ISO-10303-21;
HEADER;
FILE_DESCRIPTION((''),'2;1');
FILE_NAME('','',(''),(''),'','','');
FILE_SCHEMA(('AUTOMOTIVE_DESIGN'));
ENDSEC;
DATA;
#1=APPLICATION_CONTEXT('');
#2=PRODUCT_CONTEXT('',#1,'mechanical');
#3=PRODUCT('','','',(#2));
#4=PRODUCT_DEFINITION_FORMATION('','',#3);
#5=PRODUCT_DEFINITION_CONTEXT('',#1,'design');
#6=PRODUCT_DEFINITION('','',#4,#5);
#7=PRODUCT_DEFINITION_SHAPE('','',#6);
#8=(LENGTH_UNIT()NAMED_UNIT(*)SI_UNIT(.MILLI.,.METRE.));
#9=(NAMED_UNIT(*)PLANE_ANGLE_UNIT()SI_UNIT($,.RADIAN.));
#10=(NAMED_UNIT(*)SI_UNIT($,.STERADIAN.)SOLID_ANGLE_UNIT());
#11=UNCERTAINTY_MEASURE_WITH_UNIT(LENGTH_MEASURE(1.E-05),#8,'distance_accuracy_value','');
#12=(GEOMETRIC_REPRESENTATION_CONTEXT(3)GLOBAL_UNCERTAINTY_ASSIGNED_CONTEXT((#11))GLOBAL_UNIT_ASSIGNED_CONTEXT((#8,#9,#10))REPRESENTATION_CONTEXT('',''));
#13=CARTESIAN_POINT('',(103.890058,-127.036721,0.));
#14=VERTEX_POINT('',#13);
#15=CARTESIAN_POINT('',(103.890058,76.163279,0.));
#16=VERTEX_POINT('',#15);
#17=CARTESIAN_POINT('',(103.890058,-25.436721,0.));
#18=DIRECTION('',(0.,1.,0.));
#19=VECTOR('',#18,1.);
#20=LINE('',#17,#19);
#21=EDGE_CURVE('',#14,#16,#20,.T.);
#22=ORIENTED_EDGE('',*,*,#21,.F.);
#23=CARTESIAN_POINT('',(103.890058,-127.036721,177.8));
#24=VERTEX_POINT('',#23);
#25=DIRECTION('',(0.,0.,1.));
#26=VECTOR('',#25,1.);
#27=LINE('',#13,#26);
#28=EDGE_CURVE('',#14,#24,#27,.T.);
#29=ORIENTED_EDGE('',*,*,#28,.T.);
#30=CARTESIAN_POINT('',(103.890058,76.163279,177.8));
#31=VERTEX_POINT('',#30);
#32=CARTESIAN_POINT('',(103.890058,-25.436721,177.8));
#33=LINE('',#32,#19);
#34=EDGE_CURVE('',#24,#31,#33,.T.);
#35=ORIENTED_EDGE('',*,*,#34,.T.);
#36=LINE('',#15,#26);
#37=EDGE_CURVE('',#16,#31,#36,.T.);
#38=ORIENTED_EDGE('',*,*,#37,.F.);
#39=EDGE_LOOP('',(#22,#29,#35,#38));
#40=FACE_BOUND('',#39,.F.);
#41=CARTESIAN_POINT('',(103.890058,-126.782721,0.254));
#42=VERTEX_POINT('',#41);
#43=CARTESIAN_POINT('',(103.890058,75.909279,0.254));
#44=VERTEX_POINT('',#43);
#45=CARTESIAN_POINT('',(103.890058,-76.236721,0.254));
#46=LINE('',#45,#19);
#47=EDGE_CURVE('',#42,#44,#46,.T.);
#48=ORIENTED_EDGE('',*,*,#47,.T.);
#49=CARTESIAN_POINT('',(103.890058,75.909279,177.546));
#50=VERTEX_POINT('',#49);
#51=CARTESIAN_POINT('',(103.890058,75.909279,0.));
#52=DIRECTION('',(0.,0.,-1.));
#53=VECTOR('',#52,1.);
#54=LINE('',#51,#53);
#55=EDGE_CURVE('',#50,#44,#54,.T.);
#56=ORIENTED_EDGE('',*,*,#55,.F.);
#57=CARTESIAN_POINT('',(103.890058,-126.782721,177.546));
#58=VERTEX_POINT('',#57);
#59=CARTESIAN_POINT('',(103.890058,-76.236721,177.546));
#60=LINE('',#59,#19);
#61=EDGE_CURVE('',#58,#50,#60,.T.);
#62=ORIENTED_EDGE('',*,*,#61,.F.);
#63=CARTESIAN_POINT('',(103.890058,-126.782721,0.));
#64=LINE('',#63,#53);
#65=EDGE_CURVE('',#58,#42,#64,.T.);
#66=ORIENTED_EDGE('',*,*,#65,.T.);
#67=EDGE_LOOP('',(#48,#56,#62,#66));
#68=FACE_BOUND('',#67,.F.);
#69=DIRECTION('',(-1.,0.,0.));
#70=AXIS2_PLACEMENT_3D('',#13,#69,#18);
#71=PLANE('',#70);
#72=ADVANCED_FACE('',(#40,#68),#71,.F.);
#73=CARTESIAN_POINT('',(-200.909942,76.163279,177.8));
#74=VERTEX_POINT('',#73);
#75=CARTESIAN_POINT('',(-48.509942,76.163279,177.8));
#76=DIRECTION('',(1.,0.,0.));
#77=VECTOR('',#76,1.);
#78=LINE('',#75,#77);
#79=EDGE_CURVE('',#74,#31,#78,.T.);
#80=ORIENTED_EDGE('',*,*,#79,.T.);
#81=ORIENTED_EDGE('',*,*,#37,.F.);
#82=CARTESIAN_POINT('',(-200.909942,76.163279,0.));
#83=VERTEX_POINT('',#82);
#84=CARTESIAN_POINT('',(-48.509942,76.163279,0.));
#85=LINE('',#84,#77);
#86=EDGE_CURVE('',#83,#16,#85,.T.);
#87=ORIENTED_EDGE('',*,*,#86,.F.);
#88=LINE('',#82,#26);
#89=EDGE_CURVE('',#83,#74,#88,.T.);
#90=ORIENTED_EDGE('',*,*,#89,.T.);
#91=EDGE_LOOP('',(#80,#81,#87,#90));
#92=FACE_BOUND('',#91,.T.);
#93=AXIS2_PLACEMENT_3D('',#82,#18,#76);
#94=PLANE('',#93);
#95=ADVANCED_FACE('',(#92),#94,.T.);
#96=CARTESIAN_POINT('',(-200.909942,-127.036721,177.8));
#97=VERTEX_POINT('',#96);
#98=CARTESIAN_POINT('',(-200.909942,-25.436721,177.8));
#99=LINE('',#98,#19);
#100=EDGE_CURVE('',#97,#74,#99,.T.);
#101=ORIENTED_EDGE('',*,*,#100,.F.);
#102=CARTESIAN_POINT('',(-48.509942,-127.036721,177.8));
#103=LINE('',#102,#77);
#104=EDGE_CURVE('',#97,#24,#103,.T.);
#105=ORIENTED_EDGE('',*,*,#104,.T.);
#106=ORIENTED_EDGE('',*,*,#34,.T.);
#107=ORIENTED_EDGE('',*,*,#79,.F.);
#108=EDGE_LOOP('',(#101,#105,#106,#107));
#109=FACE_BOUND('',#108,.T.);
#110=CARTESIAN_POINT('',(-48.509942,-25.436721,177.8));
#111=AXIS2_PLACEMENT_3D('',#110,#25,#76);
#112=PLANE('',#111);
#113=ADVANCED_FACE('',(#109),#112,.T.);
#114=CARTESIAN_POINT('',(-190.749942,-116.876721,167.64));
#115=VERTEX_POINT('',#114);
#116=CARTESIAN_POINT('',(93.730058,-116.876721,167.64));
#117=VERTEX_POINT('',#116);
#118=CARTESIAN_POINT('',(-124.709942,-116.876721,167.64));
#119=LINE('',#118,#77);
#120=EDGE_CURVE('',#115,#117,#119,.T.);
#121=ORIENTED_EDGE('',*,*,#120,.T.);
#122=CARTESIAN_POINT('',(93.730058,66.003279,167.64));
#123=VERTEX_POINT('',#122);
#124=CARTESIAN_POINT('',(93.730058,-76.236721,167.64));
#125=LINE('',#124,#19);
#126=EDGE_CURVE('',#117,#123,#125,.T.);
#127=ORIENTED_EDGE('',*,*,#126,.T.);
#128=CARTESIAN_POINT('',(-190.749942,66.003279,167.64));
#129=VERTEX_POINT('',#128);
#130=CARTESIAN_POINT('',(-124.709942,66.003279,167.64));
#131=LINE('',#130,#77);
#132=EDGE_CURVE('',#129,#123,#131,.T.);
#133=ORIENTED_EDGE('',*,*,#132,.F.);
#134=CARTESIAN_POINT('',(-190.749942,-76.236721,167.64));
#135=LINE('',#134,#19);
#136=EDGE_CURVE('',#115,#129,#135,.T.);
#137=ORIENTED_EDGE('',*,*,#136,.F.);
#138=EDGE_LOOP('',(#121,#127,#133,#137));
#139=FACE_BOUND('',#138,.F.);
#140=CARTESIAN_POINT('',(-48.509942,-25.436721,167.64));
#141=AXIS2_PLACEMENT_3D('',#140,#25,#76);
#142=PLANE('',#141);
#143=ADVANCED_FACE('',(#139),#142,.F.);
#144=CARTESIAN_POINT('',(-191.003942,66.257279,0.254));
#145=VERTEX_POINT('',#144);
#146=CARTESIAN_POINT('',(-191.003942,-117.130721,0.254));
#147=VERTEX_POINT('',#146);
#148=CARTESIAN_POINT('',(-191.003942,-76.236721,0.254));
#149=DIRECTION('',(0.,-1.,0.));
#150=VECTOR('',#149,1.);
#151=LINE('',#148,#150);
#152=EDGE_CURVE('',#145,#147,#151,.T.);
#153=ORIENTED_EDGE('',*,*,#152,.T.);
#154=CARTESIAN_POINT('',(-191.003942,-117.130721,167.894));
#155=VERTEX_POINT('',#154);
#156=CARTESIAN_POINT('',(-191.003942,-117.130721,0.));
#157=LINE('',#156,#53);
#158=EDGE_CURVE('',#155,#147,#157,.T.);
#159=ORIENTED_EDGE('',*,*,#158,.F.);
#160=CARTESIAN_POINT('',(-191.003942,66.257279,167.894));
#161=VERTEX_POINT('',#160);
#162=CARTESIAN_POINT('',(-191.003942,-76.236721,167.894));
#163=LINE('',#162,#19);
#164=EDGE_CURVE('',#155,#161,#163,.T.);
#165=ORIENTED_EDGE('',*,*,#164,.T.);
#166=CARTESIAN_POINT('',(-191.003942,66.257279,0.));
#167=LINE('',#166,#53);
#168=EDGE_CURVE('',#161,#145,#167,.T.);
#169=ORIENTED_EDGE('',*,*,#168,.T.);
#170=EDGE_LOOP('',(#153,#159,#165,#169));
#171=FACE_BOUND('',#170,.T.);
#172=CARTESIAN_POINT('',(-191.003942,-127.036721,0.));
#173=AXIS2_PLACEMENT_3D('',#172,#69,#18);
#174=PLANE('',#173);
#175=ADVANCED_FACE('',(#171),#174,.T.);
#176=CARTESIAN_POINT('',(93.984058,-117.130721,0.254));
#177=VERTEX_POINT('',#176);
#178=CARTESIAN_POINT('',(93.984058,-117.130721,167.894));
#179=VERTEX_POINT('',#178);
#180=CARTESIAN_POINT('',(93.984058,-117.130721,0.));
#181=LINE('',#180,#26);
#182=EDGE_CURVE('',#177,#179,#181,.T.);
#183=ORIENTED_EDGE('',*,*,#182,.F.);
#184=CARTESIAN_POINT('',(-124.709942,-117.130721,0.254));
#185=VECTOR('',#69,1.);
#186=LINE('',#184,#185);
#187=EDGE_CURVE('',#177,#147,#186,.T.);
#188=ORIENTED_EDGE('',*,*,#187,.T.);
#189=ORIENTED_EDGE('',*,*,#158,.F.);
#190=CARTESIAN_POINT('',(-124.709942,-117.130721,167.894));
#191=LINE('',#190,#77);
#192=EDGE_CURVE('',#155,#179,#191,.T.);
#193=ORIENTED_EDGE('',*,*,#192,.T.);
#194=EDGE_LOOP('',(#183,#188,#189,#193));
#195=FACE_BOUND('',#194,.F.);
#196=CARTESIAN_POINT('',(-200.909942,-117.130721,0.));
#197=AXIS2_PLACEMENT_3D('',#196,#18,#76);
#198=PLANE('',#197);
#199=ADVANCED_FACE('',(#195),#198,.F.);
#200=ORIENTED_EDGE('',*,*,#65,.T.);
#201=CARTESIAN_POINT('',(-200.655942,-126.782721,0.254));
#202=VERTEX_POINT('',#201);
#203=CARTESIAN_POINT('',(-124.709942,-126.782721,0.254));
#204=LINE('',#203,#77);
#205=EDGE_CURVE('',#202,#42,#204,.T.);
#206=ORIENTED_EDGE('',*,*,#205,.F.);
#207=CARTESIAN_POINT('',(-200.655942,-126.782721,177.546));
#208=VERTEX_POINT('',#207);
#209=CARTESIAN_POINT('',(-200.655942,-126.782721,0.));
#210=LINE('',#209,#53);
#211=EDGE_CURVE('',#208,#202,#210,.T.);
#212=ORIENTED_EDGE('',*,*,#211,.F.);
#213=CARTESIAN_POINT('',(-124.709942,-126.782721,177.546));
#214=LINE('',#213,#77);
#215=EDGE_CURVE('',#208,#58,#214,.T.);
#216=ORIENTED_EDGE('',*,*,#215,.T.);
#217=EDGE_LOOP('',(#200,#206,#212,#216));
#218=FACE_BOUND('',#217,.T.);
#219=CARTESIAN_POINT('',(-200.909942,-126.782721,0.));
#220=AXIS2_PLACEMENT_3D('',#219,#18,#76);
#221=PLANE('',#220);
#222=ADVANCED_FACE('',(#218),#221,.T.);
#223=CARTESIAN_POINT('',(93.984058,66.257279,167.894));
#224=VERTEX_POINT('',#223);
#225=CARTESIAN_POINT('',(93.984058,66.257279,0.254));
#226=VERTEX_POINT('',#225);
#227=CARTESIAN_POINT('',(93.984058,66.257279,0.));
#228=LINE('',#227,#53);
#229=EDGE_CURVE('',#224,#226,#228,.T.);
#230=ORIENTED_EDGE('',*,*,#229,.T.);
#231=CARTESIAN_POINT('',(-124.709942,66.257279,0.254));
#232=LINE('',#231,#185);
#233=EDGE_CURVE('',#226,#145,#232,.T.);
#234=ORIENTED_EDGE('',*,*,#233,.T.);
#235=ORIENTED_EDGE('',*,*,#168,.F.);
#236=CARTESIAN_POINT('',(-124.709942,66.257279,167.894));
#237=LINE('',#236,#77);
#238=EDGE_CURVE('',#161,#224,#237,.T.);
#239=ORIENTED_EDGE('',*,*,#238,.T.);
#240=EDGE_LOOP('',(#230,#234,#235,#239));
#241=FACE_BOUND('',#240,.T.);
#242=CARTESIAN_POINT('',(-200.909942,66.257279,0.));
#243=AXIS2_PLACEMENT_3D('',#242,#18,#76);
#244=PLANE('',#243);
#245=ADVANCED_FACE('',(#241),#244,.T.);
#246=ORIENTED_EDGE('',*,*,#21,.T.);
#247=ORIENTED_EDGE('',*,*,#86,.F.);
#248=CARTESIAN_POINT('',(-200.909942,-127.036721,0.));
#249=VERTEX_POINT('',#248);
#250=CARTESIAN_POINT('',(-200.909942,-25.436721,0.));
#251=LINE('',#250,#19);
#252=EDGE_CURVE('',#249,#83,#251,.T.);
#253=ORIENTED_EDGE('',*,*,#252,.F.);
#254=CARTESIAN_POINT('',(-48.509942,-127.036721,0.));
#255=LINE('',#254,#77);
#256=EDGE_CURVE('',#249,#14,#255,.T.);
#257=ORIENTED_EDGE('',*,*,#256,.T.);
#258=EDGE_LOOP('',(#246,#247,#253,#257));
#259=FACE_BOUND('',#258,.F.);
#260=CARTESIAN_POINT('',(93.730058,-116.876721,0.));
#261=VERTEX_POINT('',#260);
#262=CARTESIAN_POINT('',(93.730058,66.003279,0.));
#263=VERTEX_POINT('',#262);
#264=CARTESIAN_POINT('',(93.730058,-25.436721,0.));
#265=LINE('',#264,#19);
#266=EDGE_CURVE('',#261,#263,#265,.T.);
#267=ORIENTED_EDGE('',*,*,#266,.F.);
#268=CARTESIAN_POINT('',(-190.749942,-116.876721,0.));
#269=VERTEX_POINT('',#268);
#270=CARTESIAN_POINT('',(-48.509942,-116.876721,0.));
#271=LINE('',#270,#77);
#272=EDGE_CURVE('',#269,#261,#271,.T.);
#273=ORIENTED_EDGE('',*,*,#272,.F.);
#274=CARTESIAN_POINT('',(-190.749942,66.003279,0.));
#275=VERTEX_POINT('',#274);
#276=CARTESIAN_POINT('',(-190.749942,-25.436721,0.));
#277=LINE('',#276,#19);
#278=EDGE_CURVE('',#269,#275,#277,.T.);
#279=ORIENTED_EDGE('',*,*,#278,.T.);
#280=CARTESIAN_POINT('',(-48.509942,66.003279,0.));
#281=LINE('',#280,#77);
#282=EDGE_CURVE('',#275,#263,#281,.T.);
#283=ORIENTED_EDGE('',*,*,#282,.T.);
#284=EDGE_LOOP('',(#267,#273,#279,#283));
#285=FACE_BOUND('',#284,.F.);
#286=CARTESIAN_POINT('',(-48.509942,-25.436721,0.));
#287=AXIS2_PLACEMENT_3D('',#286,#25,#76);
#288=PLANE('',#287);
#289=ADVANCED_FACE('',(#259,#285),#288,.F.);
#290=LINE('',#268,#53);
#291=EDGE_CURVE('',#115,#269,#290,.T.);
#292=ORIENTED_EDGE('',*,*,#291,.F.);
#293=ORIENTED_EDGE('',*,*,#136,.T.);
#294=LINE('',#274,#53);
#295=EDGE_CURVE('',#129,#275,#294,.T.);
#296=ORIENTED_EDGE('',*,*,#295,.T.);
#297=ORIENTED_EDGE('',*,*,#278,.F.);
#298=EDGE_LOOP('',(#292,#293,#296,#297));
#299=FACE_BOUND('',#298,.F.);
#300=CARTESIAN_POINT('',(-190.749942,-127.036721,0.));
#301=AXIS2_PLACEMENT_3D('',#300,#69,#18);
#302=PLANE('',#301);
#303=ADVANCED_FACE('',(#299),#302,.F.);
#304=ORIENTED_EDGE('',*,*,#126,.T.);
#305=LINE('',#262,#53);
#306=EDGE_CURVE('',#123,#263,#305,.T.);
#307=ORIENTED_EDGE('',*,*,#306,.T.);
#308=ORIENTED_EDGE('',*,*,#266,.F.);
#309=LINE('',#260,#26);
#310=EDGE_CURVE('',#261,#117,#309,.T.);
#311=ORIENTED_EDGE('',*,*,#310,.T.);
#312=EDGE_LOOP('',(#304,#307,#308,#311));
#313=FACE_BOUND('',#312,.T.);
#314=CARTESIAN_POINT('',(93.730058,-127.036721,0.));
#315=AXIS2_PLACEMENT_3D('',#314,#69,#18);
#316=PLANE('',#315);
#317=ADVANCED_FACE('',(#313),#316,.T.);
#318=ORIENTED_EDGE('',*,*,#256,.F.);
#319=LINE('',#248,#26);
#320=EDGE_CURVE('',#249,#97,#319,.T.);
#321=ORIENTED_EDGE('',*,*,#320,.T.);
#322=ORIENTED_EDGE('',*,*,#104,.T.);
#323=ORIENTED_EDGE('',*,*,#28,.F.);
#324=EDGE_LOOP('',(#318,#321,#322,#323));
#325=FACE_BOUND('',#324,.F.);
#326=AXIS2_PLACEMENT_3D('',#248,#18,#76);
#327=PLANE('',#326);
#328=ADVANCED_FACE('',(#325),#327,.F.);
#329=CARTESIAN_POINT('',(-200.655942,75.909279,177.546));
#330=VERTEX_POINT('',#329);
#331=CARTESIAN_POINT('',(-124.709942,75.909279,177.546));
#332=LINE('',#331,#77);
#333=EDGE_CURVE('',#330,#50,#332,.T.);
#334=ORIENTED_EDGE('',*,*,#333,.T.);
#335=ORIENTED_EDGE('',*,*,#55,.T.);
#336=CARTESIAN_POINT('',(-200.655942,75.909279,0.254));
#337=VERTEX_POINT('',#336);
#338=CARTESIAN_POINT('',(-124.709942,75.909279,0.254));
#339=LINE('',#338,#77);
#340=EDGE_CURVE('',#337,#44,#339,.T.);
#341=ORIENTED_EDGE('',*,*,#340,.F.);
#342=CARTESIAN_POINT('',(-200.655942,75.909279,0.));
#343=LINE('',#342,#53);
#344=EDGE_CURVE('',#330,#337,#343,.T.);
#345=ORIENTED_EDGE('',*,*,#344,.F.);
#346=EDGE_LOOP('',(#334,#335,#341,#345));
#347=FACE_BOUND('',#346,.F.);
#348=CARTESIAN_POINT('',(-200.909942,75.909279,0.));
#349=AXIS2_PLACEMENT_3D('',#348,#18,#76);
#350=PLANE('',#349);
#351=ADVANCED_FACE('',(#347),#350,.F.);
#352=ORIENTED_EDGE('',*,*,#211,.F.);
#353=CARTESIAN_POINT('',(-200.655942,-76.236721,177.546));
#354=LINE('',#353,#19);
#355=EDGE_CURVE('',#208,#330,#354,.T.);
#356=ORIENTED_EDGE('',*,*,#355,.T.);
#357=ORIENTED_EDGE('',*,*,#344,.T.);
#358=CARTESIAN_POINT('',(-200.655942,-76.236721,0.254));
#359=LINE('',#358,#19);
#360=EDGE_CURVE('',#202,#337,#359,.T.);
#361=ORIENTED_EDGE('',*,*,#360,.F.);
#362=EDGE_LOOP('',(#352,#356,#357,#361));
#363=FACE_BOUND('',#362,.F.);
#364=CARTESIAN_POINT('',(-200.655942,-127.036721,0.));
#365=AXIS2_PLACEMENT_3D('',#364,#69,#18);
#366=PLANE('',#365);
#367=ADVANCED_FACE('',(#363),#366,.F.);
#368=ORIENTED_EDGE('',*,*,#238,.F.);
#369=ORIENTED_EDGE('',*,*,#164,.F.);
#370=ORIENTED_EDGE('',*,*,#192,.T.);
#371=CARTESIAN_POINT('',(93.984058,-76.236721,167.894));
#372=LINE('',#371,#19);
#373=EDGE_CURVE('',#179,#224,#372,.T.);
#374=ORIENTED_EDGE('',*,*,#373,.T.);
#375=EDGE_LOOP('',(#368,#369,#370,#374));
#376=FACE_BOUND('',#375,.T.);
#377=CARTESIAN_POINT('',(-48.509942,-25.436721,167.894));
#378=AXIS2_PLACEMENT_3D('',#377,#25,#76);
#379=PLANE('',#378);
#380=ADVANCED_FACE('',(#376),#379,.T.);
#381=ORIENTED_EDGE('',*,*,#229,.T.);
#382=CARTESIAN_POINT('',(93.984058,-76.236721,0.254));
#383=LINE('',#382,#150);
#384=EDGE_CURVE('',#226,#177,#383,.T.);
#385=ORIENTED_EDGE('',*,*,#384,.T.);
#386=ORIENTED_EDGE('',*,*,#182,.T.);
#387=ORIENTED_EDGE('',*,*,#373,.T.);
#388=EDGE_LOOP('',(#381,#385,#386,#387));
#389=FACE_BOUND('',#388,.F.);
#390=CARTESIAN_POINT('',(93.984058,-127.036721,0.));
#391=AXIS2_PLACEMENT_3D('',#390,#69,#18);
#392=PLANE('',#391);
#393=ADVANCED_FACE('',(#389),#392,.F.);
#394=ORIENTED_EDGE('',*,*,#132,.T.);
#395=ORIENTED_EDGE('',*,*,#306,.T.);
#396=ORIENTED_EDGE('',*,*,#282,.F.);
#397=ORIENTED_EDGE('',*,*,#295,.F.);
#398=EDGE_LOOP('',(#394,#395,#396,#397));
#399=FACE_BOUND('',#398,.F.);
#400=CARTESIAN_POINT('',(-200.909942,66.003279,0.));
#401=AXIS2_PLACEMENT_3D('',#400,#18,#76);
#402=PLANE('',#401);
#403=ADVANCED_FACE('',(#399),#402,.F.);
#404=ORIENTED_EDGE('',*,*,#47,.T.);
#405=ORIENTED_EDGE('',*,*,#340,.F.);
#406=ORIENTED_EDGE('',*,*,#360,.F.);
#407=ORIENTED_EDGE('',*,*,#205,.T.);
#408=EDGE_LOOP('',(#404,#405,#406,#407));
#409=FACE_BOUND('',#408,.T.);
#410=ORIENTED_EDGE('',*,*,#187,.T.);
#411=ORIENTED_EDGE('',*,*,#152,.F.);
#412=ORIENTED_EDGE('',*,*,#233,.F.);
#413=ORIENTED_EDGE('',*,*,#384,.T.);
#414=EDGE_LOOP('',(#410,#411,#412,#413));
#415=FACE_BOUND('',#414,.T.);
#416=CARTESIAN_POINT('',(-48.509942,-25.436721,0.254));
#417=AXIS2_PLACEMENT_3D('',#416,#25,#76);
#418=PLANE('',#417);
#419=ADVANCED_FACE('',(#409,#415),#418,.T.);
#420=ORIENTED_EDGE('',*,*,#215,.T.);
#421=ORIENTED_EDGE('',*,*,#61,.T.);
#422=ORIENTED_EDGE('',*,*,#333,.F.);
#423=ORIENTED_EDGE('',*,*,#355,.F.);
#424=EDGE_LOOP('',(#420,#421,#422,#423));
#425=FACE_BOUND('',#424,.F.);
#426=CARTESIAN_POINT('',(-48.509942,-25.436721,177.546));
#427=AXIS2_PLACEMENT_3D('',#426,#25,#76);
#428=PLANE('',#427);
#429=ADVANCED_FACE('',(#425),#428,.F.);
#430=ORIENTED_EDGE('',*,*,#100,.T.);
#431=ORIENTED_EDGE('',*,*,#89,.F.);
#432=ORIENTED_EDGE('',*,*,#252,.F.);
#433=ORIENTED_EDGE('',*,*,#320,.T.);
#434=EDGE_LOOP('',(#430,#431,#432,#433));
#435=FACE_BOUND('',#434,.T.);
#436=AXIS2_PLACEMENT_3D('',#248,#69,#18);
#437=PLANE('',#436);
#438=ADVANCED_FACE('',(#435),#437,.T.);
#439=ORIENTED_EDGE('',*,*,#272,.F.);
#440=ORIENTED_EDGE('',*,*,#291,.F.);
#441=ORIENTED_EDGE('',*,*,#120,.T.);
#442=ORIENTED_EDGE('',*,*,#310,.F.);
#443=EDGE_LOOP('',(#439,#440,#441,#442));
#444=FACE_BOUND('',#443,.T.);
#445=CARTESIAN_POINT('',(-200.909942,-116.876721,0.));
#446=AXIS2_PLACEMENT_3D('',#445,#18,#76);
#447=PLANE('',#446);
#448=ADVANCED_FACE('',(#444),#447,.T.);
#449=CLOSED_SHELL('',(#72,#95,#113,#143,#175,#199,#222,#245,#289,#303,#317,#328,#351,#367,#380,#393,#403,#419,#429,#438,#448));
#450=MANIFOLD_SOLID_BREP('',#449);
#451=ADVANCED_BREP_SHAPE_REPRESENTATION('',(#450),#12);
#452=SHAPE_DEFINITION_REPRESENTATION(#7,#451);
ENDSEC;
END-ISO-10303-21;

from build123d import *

# Parameters (mm, degrees)
F0_W     = 304.8
F0_H     = 203.2
F1_DEPTH = 177.8
F2_T     = -10.16
F3_T     = -0.254


with BuildPart() as f1:
    # F0 (on Top) → F1 (new body)
    with BuildSketch(Plane.XY):
        with Locations((-48.5099423885, -25.4367205143)):
            Rectangle(F0_W, F0_H)
    extrude(amount=F1_DEPTH)

    # F2
    f2_openings = [f1.faces().sort_by_distance(p)[0] for p in [
        (-48.509942, -25.436721, 0),
    ]]
    offset(amount=F2_T, openings=f2_openings)

    # F3
    f3_openings = [f1.faces().sort_by_distance(p)[0] for p in [
        (103.890058, -25.436721, 88.9),
    ]]
    offset(amount=F3_T, openings=f3_openings, kind=Kind.INTERSECTION)


solid = f1.part
